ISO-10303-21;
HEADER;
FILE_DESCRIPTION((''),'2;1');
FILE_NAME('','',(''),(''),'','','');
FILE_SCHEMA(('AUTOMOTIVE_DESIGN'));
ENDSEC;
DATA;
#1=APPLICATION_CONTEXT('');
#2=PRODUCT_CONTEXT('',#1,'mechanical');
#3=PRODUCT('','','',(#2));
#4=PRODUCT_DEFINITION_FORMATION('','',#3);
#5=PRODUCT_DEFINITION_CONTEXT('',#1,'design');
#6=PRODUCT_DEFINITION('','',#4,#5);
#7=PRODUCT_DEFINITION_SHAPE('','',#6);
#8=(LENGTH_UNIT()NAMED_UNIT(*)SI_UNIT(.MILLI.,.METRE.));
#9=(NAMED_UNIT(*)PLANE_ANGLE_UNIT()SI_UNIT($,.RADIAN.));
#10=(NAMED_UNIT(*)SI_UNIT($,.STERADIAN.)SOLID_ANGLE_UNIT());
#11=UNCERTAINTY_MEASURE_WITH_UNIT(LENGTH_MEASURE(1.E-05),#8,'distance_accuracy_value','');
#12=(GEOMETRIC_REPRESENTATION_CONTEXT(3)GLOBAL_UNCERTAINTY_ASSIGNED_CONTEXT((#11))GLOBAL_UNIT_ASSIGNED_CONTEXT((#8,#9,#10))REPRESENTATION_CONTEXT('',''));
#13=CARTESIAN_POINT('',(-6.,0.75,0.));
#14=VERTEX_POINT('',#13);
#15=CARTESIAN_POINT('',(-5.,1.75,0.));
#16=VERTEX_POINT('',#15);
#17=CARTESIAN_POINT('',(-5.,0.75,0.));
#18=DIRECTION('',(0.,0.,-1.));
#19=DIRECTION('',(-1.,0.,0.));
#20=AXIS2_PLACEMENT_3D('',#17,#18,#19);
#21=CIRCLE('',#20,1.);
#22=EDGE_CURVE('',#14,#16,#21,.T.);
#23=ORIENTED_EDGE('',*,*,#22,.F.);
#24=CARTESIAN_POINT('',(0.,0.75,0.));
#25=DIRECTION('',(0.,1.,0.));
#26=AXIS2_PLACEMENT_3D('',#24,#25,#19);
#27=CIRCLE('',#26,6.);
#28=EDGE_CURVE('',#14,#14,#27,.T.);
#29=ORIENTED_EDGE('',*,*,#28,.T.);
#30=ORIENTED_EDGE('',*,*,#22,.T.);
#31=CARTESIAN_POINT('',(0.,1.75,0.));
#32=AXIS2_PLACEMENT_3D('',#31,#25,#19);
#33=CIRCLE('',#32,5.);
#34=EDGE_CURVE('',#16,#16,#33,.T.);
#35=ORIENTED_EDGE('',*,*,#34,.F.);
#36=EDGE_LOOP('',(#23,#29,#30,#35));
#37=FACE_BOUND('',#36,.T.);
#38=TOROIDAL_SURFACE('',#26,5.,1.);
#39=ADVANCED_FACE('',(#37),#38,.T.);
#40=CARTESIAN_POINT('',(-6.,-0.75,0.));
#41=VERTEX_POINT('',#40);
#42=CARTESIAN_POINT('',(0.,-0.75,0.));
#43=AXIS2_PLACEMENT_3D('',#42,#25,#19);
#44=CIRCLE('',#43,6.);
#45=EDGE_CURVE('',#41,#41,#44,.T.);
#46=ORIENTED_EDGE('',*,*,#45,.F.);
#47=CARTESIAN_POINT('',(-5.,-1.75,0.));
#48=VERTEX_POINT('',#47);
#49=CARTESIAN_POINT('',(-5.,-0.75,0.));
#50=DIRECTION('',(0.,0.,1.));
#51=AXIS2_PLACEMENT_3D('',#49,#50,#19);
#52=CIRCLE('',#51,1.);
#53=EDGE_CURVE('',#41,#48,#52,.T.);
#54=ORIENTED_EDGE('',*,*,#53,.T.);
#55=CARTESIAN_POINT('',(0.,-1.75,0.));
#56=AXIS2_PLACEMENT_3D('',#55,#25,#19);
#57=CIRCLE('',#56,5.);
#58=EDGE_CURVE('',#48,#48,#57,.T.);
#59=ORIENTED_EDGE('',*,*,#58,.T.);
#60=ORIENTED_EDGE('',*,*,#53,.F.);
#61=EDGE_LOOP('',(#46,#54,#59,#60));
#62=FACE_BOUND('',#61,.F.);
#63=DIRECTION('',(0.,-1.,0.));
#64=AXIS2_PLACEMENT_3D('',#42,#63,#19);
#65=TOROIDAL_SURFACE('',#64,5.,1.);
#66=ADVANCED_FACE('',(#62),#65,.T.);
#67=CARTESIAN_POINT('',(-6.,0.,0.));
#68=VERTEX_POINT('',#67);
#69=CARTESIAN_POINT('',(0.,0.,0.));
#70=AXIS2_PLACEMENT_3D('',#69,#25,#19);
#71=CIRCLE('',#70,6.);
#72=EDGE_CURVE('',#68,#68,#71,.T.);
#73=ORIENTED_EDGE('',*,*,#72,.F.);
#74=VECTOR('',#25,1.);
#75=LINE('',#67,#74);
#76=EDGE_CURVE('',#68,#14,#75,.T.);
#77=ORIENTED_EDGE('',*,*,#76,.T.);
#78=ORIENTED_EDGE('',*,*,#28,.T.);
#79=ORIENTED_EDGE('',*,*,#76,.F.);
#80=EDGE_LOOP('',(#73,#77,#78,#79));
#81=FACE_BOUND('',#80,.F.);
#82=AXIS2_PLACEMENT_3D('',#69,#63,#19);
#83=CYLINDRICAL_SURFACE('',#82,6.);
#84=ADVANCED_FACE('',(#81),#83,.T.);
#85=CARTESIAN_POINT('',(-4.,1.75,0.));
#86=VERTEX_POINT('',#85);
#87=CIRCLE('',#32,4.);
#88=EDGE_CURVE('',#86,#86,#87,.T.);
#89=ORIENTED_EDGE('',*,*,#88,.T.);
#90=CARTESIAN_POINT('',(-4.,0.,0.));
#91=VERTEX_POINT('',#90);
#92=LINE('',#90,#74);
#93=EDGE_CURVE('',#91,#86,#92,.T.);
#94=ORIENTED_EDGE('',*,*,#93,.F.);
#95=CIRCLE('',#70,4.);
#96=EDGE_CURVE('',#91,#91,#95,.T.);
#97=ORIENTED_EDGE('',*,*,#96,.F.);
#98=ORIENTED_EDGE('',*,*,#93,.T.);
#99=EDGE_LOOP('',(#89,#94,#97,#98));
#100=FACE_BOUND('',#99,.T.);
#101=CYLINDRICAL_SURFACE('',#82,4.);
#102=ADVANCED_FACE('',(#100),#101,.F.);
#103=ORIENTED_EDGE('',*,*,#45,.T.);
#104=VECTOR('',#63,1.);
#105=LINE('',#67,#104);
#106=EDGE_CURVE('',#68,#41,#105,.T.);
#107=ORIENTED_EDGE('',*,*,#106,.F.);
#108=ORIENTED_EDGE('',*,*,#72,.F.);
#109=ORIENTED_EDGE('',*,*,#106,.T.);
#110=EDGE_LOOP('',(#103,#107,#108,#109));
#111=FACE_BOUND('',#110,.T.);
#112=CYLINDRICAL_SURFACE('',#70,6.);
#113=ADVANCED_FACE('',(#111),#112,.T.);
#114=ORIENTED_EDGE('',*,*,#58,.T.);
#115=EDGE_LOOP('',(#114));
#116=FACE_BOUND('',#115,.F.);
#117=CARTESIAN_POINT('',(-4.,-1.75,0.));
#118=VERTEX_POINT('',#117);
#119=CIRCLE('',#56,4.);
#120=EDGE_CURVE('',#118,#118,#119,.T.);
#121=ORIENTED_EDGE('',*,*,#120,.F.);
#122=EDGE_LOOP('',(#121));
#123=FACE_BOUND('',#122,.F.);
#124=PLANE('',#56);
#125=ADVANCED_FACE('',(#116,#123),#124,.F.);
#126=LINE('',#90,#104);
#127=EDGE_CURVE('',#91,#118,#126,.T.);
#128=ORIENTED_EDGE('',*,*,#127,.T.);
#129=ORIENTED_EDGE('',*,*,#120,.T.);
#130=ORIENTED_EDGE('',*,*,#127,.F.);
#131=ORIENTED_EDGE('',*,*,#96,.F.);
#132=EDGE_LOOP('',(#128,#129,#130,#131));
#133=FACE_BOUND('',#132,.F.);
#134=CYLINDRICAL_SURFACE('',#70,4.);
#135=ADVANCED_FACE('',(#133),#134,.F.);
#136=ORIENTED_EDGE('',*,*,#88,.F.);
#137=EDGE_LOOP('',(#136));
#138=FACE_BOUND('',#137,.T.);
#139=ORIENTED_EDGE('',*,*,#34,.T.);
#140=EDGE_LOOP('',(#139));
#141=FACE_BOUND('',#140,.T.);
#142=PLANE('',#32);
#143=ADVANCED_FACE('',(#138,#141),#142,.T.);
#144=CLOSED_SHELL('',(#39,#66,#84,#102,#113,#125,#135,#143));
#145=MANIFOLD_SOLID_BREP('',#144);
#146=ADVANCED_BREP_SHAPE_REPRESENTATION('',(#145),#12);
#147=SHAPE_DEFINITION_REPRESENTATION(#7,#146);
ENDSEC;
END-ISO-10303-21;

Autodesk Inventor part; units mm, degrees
ref_plane "YZ Plane" through (0, 0, 0) normal (1, 0, 0) x (0, 1, 0)
ref_plane "XZ Plane" through (0, 0, 0) normal (0, 1, 0) x (-1, 0, 0)
ref_plane "XY Plane" through (0, 0, 0) normal (0, 0, 1) x (1, 0, 0)
sketch "スケッチ1" plane through (0, 0, 0) normal (0, 1, 0) x (-1, 0, 0)
  circle A0 centre (0, 0) radius 6
  circle A1 centre (0, 0) radius 4
  dimension "d0" = 12
  dimension "d1" = 8
extrude "押し出し1" add sketch "スケッチ1" along normal mid plane 3.5
fillet "フィレット1" radius 1 2 edges at (6, 1.75, 0) (6, -1.75, 0)
properties part number "MF128ZZ" material "ステンレス鋼"
